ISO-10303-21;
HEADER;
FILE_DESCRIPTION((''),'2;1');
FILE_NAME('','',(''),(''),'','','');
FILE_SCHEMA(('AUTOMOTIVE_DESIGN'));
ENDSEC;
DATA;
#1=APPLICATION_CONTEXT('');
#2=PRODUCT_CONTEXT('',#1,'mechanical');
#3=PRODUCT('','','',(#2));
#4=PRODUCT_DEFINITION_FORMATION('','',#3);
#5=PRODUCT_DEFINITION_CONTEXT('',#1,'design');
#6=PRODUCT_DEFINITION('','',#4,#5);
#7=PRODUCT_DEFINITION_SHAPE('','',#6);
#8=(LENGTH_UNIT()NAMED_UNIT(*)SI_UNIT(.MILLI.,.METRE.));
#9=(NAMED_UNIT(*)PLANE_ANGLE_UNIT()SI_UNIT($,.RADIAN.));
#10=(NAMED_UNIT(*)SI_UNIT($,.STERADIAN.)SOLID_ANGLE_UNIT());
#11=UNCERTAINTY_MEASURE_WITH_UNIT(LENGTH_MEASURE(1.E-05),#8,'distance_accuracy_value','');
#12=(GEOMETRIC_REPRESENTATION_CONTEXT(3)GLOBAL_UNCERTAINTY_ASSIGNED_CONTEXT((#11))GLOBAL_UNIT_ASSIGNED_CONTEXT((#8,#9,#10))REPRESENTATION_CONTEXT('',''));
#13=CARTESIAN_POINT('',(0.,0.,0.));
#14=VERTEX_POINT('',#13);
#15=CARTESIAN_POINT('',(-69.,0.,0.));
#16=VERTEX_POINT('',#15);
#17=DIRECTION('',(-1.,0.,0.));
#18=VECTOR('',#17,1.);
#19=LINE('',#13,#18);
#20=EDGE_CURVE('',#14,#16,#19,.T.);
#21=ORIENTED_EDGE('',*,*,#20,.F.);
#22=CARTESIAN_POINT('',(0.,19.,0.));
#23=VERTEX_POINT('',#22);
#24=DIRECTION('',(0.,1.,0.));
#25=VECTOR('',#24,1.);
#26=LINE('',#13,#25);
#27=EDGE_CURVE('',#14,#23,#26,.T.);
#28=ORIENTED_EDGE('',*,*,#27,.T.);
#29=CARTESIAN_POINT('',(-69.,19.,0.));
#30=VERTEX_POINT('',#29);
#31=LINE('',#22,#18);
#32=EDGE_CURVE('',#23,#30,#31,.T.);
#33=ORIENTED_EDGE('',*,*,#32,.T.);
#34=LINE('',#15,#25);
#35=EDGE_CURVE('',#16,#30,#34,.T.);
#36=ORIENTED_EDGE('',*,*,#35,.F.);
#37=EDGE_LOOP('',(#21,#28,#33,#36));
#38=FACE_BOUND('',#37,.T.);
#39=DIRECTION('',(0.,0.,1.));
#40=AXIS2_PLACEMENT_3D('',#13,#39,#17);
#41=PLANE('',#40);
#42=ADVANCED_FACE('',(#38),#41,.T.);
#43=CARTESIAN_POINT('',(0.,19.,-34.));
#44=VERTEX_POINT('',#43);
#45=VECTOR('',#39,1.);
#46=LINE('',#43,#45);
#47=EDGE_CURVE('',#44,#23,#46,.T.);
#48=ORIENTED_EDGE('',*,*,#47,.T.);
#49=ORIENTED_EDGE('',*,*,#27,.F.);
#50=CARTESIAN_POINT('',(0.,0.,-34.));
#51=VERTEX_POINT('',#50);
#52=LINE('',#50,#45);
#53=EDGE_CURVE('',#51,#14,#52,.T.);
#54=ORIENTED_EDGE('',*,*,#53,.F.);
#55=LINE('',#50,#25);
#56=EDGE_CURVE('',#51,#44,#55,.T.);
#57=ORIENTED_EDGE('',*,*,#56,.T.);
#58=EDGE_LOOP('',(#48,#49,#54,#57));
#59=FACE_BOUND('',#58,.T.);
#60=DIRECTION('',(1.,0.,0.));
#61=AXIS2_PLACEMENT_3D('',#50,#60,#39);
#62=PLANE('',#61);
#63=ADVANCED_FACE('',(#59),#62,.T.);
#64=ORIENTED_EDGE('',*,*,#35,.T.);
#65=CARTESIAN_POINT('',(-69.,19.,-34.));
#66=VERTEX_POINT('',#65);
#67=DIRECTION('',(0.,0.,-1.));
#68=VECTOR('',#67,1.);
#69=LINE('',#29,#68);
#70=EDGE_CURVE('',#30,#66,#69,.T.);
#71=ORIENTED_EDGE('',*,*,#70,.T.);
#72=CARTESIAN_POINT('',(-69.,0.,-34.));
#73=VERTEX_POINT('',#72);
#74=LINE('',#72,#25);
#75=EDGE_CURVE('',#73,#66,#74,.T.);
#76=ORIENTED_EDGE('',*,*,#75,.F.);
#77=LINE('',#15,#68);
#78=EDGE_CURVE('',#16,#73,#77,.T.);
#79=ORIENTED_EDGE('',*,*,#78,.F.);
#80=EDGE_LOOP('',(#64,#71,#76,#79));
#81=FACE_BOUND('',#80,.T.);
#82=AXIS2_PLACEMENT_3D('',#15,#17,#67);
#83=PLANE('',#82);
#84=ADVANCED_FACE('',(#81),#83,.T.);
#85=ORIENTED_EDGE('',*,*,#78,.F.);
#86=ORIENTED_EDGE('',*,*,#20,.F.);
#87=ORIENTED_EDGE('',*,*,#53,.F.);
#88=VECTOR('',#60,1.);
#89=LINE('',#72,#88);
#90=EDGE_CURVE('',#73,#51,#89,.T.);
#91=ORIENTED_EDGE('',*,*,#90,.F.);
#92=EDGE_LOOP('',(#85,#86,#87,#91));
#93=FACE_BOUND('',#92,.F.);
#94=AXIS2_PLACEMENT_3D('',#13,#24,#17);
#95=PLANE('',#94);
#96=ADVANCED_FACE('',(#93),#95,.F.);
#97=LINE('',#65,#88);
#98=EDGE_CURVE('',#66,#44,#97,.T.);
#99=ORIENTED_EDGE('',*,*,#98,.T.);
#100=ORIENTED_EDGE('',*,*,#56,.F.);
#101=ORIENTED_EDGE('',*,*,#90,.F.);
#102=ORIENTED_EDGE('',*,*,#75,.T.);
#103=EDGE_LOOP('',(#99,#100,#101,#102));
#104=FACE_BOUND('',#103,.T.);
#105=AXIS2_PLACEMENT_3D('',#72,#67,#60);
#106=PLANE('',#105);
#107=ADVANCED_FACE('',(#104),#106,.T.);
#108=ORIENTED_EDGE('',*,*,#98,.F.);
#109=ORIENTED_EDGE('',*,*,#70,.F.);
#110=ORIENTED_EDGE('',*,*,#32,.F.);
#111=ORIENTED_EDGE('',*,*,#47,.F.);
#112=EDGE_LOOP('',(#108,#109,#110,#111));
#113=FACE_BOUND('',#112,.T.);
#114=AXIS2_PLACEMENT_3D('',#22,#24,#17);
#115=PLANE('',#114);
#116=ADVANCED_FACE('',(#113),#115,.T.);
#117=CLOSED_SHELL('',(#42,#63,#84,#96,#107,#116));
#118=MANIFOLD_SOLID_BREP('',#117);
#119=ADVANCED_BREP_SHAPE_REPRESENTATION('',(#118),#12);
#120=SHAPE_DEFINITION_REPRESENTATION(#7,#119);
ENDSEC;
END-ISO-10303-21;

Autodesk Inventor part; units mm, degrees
ref_plane "YZ Plane" through (0, 0, 0) normal (1, 0, 0) x (0, 1, 0)
ref_plane "XZ Plane" through (0, 0, 0) normal (0, 1, 0) x (-1, 0, 0)
ref_plane "XY Plane" through (0, 0, 0) normal (0, 0, 1) x (1, 0, 0)
sketch "Sketch1" plane through (0, 0, 0) normal (0, 1, 0) x (-1, 0, 0)
  line L0 (0, 0) -> (69, 0)
  line L1 (69, 0) -> (69, -34)
  line L2 (69, -34) -> (0, -34)
  line L3 (0, -34) -> (0, 0)
  dimension "d0" = 69
  dimension "d1" = 34
extrude "Extrusion1" add sketch "Sketch1" along normal blind 19
properties part number "BatteryHolder"
